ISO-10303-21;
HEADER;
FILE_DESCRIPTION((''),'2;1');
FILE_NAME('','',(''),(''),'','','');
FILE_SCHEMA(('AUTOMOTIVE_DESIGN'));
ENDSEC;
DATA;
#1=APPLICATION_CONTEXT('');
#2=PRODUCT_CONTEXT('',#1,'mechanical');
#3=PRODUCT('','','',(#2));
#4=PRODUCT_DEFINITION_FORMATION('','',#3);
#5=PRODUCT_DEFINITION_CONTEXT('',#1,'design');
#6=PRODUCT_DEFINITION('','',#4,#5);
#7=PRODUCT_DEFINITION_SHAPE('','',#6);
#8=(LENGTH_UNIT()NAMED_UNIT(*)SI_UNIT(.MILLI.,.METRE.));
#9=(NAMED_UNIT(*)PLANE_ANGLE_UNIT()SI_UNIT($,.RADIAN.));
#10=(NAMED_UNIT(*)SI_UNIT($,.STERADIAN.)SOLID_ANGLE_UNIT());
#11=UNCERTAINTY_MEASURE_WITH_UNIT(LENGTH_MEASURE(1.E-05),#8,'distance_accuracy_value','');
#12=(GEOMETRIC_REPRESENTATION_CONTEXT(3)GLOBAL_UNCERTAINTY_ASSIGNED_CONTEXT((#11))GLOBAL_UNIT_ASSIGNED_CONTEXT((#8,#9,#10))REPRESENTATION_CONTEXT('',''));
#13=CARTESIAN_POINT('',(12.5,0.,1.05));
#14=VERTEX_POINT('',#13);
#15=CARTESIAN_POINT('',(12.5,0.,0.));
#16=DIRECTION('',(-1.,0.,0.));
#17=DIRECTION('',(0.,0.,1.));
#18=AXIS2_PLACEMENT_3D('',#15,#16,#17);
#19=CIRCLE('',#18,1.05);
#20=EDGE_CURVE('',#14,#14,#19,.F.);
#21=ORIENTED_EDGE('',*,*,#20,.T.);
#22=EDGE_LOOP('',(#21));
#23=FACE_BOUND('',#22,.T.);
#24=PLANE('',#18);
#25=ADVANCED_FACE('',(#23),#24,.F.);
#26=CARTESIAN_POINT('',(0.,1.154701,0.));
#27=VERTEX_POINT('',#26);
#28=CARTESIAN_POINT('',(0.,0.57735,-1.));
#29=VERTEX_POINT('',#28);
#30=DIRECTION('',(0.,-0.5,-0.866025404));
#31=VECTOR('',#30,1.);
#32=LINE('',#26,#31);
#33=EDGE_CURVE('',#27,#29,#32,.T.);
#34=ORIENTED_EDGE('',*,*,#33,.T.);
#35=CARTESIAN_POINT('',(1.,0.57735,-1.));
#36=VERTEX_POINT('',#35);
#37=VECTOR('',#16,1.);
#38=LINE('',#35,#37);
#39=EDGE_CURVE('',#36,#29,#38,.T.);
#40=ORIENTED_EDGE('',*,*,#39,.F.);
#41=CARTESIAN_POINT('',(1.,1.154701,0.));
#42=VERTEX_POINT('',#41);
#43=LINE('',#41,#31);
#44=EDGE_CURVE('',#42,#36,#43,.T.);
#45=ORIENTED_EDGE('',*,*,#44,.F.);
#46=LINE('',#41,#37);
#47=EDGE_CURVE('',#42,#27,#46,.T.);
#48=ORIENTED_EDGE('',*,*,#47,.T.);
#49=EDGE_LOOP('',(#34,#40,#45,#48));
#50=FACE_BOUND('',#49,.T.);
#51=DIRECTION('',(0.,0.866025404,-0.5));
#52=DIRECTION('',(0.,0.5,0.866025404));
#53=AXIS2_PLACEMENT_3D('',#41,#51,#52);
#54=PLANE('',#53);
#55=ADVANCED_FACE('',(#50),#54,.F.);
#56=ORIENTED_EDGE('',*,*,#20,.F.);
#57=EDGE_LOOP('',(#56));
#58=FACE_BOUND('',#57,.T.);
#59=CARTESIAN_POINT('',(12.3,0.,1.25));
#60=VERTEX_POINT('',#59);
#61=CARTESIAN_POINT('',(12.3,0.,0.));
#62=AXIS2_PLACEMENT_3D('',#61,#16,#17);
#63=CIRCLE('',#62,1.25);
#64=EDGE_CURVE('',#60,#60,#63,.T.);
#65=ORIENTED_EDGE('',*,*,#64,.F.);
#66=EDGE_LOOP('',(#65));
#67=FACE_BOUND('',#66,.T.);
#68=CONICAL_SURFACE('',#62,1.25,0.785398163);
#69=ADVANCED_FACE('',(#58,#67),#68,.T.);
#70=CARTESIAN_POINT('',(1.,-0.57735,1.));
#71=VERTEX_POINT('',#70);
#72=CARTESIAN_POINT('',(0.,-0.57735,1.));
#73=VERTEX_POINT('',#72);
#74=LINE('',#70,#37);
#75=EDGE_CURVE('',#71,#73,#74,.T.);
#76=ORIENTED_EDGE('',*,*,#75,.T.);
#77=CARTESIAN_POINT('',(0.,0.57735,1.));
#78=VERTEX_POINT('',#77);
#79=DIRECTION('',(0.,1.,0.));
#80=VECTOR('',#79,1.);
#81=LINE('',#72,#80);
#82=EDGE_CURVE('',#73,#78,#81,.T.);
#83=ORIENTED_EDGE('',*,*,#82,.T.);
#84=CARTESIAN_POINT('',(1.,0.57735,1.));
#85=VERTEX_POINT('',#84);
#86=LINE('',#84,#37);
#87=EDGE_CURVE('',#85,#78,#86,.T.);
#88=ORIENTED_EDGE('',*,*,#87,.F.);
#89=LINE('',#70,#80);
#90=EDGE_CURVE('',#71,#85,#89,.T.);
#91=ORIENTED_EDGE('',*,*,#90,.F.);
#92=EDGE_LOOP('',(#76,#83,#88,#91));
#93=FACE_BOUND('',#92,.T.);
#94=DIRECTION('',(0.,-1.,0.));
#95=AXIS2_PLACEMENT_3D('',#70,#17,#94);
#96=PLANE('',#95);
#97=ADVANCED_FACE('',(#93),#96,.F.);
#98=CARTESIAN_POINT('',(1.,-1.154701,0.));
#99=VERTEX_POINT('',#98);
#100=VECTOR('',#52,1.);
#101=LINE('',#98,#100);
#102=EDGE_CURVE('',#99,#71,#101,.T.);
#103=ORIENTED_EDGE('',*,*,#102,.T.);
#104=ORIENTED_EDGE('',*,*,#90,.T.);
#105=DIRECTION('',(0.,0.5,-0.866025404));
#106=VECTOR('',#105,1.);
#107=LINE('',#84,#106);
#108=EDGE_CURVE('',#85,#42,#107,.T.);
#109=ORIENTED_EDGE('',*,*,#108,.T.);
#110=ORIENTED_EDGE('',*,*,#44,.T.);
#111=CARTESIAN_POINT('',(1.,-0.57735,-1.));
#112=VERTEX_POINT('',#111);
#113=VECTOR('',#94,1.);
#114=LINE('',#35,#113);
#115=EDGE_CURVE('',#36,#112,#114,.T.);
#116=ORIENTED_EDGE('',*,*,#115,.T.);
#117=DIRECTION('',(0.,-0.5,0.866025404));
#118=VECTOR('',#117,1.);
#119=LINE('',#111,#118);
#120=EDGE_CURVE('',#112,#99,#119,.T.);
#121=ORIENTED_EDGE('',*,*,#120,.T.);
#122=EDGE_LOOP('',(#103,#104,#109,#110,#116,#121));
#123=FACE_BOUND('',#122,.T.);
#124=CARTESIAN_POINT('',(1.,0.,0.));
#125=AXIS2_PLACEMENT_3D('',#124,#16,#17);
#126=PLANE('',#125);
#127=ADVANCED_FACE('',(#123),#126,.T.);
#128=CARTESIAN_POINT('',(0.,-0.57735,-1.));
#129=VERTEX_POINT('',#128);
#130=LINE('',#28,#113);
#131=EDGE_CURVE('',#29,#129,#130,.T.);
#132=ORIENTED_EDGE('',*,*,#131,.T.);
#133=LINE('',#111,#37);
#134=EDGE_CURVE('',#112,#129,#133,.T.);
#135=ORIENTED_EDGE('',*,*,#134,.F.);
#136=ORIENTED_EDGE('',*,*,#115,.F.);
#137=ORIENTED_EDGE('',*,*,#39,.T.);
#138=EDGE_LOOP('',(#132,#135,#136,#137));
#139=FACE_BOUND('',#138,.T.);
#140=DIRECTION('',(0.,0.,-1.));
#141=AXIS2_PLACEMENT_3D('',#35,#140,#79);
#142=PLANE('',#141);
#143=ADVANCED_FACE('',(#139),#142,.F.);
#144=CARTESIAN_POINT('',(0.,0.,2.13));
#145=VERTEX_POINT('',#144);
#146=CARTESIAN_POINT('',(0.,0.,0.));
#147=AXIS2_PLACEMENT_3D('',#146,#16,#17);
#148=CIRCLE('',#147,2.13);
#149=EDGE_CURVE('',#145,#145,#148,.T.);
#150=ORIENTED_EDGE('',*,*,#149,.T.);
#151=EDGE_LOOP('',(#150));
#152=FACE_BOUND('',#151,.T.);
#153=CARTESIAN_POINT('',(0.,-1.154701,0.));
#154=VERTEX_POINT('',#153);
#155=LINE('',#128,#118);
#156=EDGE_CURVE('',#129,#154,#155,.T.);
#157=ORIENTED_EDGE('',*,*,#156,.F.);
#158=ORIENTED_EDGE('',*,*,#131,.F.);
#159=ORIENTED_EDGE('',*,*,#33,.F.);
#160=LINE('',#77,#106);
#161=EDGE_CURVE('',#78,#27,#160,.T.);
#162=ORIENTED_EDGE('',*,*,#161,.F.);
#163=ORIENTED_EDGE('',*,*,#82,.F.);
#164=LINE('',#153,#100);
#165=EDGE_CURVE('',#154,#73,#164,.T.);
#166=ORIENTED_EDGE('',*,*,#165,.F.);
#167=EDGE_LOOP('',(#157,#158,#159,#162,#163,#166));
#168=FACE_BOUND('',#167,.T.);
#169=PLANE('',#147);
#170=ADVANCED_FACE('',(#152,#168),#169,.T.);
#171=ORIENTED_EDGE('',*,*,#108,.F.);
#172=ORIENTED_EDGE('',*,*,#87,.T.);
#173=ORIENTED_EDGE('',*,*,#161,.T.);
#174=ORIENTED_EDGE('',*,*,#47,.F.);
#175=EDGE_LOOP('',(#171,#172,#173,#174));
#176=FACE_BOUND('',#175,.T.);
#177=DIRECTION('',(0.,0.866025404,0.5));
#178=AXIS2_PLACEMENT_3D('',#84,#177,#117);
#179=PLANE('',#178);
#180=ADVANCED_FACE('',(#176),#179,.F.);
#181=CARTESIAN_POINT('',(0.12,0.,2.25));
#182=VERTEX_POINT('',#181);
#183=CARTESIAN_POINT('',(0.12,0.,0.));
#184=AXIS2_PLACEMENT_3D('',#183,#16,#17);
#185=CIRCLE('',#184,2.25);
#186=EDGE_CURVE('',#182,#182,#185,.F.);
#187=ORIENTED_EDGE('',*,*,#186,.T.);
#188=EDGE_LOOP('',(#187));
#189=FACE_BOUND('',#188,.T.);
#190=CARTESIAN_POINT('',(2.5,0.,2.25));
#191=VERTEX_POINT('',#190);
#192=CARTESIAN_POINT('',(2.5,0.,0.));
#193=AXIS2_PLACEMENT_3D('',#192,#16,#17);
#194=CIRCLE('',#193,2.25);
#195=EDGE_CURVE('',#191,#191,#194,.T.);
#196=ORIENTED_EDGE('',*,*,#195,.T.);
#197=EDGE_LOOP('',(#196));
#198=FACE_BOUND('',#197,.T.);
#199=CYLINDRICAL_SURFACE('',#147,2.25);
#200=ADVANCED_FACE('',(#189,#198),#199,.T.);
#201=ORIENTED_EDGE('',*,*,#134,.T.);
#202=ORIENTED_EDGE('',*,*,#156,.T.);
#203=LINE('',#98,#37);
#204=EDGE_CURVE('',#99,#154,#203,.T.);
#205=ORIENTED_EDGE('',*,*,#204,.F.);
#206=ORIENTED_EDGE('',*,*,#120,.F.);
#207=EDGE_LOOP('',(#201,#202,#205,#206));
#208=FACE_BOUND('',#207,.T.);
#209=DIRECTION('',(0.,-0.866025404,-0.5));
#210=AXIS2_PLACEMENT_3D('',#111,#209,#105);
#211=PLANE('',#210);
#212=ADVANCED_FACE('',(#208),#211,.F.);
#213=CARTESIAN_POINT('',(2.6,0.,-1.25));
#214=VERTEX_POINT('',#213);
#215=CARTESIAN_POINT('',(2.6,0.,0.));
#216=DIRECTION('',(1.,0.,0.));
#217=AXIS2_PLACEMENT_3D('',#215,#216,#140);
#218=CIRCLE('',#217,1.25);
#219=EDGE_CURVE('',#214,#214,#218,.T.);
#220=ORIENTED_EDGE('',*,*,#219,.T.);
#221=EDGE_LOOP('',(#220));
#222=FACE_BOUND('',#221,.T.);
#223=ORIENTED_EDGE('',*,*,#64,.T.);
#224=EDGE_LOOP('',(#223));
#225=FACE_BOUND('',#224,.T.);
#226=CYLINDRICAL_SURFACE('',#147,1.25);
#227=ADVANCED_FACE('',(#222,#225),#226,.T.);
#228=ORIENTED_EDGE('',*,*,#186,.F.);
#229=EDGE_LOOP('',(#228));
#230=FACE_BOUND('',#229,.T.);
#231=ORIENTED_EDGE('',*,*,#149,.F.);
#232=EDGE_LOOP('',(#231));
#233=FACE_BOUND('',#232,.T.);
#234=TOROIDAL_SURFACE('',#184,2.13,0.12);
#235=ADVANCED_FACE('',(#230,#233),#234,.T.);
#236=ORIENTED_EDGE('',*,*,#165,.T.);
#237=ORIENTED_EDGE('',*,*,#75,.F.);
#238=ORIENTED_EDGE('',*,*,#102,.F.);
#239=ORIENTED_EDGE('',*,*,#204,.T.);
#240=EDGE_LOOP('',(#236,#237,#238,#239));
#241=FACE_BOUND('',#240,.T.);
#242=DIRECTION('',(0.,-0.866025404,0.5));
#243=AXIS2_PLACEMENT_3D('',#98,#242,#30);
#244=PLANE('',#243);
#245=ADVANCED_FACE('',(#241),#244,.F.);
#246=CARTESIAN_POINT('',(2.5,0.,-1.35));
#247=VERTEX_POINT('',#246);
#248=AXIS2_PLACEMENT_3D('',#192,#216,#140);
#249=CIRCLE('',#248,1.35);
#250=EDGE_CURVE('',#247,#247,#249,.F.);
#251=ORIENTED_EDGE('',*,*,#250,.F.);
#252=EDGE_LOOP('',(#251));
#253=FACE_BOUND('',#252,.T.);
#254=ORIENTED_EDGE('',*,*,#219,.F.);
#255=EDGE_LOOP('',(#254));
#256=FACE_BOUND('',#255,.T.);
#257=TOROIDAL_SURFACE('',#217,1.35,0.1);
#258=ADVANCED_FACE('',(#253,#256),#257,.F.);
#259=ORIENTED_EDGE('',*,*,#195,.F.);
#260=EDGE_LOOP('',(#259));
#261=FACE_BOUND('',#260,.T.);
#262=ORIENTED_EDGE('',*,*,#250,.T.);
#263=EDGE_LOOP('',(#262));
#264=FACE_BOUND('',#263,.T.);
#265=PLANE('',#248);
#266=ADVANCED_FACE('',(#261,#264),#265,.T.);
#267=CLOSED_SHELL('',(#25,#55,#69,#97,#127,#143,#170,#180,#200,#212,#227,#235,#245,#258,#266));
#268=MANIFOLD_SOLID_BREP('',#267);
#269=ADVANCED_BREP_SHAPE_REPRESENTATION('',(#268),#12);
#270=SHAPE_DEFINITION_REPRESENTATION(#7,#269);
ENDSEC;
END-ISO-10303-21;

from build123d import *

# Parameters (mm, degrees)
FILLET1_R      = 0.1
FILLET2_R      = 0.12
CHAMFER1_SIZE  = 0.2
EXTRUDE1_DEPTH = 1


with BuildPart() as part:
    # Sketch1 → Revolve1 (revolve)
    with BuildSketch(Plane.XY, mode=Mode.PRIVATE) as revolve1_sk:
        Polygon((2.5, 1.25), (2.5, 0), (4.279914881, 0), (12.5, 0), (12.5, 1.25), align=None)
        Polygon((0, 2.25), (0, 0), (2.5, 0), (2.5, 1.25), (2.5, 2.25), align=None)
    revolve(revolve1_sk.sketch.rotate(Axis((0, 0, 0), (1, 0, 0)), 90), axis=Axis((0, 0, 0), (1, 0, 0)))

    # Fillet1
    fillet1_edges = [part.edges().sort_by_distance(p)[0] for p in [
        (2.5, 0, -1.25),
    ]]
    fillet(fillet1_edges, radius=FILLET1_R)

    # Fillet2
    fillet2_edges = [part.edges().sort_by_distance(p)[0] for p in [
        (0, 0, -2.25),
    ]]
    fillet(fillet2_edges, radius=FILLET2_R)

    # Chamfer1
    chamfer1_edges = [part.edges().sort_by_distance(p)[0] for p in [
        (12.5, 0, -1.25),
    ]]
    chamfer(chamfer1_edges, length=CHAMFER1_SIZE)

    # Sketch2 → Extrude1 (cut)
    with BuildSketch(Plane.ZY):
        Polygon((0, 1.154700538), (-1, 0.577350269), (-1, -0.577350269), (0, -1.154700538), (1, -0.577350269), (1, 0.577350269), align=None)
    extrude(amount=-EXTRUDE1_DEPTH, mode=Mode.SUBTRACT)


solid = part.part
